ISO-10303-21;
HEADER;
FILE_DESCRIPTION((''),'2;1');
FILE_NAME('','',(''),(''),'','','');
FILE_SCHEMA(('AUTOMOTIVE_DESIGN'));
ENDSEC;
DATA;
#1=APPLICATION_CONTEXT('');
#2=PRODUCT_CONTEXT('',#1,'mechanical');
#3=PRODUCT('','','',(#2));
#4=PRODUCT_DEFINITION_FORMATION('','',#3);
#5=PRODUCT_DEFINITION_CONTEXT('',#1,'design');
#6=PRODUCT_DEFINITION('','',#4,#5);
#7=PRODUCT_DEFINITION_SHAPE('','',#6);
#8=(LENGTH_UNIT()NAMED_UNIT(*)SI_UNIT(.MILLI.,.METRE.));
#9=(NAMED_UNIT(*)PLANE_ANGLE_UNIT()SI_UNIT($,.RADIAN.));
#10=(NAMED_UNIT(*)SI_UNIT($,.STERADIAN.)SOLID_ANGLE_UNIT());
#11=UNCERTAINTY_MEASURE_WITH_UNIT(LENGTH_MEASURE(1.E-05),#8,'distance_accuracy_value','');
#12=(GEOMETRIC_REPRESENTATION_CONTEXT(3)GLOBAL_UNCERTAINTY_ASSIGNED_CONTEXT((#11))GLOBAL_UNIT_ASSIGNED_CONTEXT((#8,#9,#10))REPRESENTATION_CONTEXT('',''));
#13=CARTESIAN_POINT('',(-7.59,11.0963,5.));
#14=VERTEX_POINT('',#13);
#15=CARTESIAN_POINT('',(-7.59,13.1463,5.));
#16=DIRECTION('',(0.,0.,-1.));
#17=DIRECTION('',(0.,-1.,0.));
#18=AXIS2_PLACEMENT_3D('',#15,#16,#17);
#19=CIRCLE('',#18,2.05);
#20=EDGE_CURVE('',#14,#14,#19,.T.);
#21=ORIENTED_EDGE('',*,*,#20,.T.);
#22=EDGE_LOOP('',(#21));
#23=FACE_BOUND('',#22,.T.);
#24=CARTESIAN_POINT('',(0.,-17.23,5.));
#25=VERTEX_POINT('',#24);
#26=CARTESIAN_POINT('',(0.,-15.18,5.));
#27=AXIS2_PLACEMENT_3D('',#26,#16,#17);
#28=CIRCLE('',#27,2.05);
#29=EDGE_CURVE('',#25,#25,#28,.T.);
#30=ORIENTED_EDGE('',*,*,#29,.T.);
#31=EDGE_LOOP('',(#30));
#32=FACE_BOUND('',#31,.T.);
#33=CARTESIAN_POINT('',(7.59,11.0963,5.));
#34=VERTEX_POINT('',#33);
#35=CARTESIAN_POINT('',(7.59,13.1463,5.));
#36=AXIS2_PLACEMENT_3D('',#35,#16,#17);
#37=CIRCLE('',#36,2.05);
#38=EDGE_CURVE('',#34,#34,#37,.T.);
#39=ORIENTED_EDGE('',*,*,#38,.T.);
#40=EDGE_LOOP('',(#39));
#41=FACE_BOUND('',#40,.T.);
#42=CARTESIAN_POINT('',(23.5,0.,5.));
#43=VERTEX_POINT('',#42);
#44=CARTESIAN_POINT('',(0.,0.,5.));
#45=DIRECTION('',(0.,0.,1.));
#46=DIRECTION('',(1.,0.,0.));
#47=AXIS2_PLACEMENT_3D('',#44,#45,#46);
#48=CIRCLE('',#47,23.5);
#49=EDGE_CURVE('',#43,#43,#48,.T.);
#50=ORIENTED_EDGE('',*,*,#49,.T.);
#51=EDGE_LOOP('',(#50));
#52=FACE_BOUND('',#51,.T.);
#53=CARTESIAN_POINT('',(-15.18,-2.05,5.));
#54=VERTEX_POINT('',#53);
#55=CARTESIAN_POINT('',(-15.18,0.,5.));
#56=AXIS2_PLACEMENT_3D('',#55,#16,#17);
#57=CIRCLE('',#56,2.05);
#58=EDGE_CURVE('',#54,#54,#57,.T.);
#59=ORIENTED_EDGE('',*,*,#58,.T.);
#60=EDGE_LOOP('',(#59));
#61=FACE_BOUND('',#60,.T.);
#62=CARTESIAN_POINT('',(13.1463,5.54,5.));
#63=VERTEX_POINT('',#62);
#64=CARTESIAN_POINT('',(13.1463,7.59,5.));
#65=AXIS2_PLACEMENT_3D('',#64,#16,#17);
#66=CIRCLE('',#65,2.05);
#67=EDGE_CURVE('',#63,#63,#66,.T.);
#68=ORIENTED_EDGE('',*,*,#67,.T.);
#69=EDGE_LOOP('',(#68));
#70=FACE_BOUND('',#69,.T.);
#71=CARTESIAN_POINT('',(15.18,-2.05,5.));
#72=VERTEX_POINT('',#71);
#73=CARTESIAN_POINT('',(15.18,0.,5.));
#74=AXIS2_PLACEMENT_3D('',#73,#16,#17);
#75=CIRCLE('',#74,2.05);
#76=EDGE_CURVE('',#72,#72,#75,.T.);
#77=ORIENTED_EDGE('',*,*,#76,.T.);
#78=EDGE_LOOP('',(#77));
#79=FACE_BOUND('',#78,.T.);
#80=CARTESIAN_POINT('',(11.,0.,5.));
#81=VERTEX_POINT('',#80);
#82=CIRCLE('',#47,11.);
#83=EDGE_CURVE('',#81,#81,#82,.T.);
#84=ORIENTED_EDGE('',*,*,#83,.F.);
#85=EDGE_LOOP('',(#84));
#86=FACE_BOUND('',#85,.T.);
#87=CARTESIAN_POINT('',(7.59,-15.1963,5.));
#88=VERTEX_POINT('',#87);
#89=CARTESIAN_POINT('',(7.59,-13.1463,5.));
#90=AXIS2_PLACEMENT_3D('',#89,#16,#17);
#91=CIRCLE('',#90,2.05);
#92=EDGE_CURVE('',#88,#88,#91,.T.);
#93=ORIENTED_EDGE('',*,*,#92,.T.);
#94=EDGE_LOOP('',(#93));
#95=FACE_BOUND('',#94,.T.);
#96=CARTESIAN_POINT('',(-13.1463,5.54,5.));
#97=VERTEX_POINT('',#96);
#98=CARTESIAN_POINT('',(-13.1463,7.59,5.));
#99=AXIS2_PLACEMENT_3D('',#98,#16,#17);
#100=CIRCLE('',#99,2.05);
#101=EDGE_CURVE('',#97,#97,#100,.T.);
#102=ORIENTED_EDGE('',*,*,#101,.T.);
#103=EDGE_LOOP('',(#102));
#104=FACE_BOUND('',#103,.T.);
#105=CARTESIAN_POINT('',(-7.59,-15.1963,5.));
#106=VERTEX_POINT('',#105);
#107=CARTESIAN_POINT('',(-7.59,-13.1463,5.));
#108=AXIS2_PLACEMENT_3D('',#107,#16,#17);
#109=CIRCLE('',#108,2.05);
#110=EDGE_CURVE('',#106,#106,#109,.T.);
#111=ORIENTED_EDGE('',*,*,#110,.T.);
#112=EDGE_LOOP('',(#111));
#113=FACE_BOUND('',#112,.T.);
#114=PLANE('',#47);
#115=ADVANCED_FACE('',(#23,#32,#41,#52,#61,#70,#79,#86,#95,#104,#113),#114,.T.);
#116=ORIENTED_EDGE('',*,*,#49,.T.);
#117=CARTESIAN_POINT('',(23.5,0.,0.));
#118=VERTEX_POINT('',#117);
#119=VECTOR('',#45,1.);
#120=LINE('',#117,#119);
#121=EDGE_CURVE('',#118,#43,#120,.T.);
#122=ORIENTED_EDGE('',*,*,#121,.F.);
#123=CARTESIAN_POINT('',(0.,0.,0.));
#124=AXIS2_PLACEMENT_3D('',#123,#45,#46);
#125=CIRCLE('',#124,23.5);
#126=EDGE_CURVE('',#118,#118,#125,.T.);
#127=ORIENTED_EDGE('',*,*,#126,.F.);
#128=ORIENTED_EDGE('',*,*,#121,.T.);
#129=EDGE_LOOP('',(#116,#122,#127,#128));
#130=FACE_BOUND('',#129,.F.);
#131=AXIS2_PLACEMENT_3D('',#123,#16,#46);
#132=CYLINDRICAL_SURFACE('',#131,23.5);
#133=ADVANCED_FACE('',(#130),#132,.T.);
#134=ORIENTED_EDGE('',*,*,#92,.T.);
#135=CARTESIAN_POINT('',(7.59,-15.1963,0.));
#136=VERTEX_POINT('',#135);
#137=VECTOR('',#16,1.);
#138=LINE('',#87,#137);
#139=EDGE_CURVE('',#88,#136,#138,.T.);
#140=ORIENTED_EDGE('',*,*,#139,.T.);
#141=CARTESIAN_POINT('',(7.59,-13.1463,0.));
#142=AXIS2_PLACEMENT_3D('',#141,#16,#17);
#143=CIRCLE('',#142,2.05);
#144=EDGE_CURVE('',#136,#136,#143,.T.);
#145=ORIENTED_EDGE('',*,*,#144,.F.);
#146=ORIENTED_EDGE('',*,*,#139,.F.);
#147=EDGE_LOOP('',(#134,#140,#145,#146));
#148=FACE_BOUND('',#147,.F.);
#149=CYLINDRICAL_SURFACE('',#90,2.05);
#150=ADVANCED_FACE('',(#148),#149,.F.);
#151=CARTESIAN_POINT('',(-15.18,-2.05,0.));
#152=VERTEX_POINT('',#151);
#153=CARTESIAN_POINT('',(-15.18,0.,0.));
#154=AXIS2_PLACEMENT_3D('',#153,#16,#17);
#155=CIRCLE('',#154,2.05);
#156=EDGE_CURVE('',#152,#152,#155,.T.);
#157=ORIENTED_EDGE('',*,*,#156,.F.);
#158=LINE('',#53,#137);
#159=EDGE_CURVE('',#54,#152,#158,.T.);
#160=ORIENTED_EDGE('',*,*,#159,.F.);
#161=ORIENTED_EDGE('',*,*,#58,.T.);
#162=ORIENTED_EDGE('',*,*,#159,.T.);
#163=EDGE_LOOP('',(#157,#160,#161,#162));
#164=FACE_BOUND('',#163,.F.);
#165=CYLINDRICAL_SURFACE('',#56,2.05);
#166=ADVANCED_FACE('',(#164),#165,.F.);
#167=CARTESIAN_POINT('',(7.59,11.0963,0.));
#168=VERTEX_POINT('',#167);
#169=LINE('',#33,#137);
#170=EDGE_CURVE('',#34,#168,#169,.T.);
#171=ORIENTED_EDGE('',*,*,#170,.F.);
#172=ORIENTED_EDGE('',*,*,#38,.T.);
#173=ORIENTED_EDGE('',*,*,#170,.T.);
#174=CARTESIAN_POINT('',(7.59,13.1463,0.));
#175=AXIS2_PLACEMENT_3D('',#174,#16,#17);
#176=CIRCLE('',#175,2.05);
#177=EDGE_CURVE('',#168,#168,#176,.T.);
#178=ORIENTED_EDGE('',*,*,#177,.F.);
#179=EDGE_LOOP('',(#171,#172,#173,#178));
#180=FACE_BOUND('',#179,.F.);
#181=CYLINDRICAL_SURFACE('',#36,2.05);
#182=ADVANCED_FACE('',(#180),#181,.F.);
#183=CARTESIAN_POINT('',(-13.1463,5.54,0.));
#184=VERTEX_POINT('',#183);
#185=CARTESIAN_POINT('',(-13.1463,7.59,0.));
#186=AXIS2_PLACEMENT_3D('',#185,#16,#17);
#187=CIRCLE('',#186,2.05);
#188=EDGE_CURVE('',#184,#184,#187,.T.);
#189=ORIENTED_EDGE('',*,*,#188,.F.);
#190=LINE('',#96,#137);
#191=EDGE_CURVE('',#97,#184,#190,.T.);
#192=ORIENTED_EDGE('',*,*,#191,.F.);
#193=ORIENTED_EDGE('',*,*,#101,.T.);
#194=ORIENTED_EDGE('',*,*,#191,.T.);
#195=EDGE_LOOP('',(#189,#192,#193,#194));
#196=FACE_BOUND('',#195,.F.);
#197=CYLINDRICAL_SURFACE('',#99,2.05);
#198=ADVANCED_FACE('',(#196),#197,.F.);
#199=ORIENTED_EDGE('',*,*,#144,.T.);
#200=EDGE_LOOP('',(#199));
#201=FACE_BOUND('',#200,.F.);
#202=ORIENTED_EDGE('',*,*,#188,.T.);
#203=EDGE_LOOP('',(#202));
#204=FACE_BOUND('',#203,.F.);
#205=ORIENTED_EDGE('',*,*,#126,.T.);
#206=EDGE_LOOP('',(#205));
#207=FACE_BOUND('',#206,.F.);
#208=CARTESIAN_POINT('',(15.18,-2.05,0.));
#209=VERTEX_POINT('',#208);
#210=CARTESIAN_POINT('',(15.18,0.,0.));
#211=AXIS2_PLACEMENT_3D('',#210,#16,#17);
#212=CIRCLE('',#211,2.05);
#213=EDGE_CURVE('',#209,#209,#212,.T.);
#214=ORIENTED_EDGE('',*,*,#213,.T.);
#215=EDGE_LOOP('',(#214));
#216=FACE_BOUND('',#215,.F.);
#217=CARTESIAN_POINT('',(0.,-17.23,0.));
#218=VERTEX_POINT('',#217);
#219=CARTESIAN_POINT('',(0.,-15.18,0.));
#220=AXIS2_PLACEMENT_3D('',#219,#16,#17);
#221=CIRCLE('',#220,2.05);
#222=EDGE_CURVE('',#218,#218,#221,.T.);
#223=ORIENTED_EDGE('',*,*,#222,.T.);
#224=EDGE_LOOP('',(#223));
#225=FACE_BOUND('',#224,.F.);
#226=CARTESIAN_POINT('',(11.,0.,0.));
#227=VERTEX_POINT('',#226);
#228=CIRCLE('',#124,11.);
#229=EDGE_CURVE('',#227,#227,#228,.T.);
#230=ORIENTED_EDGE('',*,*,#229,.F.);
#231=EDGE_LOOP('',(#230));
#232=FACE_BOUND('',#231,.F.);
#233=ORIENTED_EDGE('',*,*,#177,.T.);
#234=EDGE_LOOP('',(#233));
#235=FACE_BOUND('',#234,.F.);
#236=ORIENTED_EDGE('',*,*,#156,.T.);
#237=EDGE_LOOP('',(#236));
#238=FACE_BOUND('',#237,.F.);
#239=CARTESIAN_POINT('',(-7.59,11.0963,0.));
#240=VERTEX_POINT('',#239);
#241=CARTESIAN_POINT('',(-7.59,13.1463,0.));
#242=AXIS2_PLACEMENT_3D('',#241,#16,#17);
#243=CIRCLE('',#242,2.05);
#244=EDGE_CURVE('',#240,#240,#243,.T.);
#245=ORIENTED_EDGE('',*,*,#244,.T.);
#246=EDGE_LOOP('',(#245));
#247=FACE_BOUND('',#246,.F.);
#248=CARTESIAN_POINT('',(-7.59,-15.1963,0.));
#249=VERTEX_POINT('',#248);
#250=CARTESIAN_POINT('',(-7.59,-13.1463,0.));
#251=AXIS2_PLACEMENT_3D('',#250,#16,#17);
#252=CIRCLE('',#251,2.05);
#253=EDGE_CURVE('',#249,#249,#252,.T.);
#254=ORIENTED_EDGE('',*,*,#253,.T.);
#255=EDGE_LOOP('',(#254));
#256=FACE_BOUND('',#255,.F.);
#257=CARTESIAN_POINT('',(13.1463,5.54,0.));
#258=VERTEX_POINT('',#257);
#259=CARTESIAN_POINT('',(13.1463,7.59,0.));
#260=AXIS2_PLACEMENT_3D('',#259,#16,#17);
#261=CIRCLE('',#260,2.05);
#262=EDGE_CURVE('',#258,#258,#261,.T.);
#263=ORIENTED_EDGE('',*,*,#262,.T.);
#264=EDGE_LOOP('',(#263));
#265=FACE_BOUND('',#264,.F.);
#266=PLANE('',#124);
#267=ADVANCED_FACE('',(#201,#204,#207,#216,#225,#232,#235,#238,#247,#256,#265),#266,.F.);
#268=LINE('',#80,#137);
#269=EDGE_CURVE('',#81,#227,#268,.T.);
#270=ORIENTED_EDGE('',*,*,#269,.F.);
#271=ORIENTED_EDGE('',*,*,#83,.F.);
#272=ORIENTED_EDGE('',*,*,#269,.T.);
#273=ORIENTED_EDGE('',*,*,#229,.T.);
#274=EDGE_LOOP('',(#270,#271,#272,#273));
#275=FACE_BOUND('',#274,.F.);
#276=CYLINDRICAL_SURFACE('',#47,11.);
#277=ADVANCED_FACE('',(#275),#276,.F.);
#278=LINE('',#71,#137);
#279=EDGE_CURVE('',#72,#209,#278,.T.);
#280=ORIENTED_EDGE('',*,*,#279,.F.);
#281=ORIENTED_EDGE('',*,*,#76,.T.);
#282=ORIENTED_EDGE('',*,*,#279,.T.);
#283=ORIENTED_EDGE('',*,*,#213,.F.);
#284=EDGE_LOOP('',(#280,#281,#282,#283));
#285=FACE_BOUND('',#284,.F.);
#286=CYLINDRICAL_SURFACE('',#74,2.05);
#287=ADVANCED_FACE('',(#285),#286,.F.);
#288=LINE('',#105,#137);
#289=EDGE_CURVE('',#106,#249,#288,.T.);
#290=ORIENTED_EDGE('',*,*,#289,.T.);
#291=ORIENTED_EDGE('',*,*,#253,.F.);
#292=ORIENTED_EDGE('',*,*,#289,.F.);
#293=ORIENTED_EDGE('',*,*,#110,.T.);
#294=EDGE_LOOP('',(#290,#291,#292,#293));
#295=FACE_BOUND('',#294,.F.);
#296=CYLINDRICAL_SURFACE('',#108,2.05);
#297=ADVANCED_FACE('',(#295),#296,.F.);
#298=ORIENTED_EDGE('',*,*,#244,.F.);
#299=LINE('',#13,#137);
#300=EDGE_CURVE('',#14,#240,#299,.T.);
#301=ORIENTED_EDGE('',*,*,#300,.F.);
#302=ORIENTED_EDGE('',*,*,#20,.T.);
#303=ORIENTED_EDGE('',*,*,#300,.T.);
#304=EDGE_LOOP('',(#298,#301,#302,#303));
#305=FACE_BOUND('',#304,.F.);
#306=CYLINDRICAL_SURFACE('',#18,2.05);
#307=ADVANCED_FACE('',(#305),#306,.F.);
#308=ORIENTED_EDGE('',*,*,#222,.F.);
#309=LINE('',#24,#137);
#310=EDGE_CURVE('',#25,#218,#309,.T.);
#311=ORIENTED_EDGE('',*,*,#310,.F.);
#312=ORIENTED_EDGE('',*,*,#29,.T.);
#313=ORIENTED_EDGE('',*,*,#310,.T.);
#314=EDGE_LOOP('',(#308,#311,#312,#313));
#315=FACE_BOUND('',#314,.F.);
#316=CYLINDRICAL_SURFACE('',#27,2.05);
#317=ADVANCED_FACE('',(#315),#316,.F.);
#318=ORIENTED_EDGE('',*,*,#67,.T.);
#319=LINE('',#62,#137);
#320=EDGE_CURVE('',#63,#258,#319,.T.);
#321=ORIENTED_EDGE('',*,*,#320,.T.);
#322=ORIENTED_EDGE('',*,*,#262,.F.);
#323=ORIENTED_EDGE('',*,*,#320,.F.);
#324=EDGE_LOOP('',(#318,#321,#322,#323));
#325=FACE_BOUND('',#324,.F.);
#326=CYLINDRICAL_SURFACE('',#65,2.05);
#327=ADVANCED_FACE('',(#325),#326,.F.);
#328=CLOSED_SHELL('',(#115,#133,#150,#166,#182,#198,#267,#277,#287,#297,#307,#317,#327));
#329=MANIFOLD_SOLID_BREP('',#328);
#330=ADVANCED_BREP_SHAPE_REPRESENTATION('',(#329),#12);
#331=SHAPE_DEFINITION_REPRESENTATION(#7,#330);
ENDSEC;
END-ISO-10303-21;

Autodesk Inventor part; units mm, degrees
ref_plane "YZ Plane" through (0, 0, 0) normal (1, 0, 0) x (0, 1, 0)
ref_plane "XZ Plane" through (0, 0, 0) normal (0, 1, 0) x (-1, 0, 0)
ref_plane "XY Plane" through (0, 0, 0) normal (0, 0, 1) x (1, 0, 0)
sketch "スケッチ1" plane through (0, 0, 0) normal (0, 0, 1) x (1, 0, 0)
  circle A0 centre (0, 0) radius 23.5
  dimension "d0" = 47
extrude "押し出し1" add sketch "スケッチ1" along normal blind 5
sketch "スケッチ2" plane through (0, 0, 5) normal (0, 0, 1) x (1, 0, 0)
  line L0 (0, 0) -> (0, -15.18)
  circle A0 centre (0, 0) radius 15.18
  line L1 (0, 0) -> (7.59, -13.1463)
  point P0 (13.1463, 7.59)
  point P1 (-13.1463, 7.59)
  point P2 (15.18, 0)
  point P3 (7.59, 13.1463)
  point P4 (-7.59, 13.1463)
  point P5 (-15.18, 0)
  point P6 (-7.59, -13.1463)
  dimension "d3" = 30.36
  dimension "d6" = 360
  dimension "d8" = 30
  dimension "d11" = 360
hole "穴1" at (0, -15.18, 5) at (13.1463, 7.59, 5) at (-13.1463, 7.59, 5) at (7.59, -13.1463, 5) at (15.18, 0, 5) at (7.59, 13.1463, 5) at (-7.59, 13.1463, 5) at (-15.18, 0, 5) at (-7.59, -13.1463, 5) direction (0, 0, -1) diameter 4.1 end through all
sketch "スケッチ3" plane through (0, 0, 5) normal (0, 0, 1) x (1, 0, 0)
  circle A0 centre (0, 0) radius 11
  dimension "d20" = 22
extrude "押し出し2" cut sketch "スケッチ3" against normal blind 5
properties part number "base_plate2" material "アルミニウム 6061"
